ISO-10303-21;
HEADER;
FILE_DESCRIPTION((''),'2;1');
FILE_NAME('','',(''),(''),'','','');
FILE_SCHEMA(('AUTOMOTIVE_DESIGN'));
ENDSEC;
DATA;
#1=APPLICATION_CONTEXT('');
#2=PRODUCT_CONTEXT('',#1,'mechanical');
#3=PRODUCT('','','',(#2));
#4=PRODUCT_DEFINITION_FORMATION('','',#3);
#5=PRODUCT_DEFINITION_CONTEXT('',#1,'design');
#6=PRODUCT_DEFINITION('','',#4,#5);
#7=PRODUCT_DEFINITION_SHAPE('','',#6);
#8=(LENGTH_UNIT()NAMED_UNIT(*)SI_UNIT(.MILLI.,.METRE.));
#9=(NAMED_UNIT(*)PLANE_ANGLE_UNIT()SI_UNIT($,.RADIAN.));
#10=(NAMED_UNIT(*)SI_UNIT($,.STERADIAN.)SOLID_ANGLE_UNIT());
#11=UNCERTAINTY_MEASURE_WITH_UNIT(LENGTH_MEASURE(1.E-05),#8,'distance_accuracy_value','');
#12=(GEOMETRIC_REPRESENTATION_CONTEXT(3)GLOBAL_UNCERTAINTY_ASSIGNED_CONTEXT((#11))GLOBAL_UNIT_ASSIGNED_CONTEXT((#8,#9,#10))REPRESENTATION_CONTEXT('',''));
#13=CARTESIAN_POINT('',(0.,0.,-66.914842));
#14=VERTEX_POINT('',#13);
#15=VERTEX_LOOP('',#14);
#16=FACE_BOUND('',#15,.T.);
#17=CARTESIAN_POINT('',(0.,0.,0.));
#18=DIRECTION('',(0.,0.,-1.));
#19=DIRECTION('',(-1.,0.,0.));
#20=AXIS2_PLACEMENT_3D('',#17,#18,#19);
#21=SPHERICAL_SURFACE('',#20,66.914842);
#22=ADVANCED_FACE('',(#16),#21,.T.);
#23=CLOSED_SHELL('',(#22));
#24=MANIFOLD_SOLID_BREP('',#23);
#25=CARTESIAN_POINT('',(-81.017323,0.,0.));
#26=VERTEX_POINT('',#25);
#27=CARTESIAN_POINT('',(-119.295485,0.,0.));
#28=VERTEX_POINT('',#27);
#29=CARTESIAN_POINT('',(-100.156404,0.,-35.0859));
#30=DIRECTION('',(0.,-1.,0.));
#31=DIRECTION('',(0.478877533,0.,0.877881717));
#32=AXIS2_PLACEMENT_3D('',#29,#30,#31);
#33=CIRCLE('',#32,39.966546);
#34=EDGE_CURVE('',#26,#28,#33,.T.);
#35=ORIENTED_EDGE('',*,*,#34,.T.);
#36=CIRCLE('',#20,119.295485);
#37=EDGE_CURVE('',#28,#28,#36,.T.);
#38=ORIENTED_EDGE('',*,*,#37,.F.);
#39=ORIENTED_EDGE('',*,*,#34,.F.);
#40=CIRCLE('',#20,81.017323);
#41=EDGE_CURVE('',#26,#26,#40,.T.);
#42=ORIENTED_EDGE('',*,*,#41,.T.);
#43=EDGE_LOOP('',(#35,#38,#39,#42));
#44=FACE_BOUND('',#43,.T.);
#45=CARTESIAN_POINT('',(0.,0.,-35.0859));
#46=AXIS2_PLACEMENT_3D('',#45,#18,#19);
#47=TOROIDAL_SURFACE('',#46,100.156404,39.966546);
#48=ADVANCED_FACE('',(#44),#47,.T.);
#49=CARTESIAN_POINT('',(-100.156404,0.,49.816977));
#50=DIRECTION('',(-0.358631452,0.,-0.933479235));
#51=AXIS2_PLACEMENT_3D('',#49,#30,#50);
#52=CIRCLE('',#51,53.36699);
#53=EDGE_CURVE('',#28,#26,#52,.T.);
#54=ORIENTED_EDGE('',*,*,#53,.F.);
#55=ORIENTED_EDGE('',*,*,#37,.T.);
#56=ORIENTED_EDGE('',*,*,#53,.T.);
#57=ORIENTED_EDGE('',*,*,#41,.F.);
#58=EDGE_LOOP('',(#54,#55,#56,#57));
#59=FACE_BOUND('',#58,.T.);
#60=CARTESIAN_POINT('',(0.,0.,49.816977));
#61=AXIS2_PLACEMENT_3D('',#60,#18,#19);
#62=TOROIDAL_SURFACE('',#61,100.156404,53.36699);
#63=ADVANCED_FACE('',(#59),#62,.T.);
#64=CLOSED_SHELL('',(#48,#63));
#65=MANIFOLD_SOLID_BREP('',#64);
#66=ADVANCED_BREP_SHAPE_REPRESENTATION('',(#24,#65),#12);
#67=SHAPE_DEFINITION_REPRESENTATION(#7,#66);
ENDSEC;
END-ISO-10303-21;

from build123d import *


with BuildPart() as f1:
    # F0 (on Front) → F1 (revolve)
    with BuildSketch(Plane.XZ):
        with BuildLine():
            Line((0, -66.914842), (0, 66.914842))
            ThreePointArc((0, 66.914842), (-66.914842, 0), (0, -66.914842))
        make_face()
    revolve(axis=Axis((0, 0, 0), (0, 0, -1)))


with BuildPart() as f3:
    # F2 (on Front) → F3 (revolve)
    with BuildSketch(Plane.XZ):
        with BuildLine():
            Line((-119.295485, 0), (-81.017323, 0))
            ThreePointArc((-81.017323, 0), (-100.156404, 4.880646), (-119.295485, 0))
        make_face()
        with BuildLine():
            ThreePointArc((-119.295485, 0), (-100.156404, -3.550013), (-81.017323, 0))
            Line((-81.017323, 0), (-119.295485, 0))
        make_face()
    revolve(axis=Axis((0, 0, 0), (0, 0, -1)))


solid = Compound([f1.part, f3.part])
